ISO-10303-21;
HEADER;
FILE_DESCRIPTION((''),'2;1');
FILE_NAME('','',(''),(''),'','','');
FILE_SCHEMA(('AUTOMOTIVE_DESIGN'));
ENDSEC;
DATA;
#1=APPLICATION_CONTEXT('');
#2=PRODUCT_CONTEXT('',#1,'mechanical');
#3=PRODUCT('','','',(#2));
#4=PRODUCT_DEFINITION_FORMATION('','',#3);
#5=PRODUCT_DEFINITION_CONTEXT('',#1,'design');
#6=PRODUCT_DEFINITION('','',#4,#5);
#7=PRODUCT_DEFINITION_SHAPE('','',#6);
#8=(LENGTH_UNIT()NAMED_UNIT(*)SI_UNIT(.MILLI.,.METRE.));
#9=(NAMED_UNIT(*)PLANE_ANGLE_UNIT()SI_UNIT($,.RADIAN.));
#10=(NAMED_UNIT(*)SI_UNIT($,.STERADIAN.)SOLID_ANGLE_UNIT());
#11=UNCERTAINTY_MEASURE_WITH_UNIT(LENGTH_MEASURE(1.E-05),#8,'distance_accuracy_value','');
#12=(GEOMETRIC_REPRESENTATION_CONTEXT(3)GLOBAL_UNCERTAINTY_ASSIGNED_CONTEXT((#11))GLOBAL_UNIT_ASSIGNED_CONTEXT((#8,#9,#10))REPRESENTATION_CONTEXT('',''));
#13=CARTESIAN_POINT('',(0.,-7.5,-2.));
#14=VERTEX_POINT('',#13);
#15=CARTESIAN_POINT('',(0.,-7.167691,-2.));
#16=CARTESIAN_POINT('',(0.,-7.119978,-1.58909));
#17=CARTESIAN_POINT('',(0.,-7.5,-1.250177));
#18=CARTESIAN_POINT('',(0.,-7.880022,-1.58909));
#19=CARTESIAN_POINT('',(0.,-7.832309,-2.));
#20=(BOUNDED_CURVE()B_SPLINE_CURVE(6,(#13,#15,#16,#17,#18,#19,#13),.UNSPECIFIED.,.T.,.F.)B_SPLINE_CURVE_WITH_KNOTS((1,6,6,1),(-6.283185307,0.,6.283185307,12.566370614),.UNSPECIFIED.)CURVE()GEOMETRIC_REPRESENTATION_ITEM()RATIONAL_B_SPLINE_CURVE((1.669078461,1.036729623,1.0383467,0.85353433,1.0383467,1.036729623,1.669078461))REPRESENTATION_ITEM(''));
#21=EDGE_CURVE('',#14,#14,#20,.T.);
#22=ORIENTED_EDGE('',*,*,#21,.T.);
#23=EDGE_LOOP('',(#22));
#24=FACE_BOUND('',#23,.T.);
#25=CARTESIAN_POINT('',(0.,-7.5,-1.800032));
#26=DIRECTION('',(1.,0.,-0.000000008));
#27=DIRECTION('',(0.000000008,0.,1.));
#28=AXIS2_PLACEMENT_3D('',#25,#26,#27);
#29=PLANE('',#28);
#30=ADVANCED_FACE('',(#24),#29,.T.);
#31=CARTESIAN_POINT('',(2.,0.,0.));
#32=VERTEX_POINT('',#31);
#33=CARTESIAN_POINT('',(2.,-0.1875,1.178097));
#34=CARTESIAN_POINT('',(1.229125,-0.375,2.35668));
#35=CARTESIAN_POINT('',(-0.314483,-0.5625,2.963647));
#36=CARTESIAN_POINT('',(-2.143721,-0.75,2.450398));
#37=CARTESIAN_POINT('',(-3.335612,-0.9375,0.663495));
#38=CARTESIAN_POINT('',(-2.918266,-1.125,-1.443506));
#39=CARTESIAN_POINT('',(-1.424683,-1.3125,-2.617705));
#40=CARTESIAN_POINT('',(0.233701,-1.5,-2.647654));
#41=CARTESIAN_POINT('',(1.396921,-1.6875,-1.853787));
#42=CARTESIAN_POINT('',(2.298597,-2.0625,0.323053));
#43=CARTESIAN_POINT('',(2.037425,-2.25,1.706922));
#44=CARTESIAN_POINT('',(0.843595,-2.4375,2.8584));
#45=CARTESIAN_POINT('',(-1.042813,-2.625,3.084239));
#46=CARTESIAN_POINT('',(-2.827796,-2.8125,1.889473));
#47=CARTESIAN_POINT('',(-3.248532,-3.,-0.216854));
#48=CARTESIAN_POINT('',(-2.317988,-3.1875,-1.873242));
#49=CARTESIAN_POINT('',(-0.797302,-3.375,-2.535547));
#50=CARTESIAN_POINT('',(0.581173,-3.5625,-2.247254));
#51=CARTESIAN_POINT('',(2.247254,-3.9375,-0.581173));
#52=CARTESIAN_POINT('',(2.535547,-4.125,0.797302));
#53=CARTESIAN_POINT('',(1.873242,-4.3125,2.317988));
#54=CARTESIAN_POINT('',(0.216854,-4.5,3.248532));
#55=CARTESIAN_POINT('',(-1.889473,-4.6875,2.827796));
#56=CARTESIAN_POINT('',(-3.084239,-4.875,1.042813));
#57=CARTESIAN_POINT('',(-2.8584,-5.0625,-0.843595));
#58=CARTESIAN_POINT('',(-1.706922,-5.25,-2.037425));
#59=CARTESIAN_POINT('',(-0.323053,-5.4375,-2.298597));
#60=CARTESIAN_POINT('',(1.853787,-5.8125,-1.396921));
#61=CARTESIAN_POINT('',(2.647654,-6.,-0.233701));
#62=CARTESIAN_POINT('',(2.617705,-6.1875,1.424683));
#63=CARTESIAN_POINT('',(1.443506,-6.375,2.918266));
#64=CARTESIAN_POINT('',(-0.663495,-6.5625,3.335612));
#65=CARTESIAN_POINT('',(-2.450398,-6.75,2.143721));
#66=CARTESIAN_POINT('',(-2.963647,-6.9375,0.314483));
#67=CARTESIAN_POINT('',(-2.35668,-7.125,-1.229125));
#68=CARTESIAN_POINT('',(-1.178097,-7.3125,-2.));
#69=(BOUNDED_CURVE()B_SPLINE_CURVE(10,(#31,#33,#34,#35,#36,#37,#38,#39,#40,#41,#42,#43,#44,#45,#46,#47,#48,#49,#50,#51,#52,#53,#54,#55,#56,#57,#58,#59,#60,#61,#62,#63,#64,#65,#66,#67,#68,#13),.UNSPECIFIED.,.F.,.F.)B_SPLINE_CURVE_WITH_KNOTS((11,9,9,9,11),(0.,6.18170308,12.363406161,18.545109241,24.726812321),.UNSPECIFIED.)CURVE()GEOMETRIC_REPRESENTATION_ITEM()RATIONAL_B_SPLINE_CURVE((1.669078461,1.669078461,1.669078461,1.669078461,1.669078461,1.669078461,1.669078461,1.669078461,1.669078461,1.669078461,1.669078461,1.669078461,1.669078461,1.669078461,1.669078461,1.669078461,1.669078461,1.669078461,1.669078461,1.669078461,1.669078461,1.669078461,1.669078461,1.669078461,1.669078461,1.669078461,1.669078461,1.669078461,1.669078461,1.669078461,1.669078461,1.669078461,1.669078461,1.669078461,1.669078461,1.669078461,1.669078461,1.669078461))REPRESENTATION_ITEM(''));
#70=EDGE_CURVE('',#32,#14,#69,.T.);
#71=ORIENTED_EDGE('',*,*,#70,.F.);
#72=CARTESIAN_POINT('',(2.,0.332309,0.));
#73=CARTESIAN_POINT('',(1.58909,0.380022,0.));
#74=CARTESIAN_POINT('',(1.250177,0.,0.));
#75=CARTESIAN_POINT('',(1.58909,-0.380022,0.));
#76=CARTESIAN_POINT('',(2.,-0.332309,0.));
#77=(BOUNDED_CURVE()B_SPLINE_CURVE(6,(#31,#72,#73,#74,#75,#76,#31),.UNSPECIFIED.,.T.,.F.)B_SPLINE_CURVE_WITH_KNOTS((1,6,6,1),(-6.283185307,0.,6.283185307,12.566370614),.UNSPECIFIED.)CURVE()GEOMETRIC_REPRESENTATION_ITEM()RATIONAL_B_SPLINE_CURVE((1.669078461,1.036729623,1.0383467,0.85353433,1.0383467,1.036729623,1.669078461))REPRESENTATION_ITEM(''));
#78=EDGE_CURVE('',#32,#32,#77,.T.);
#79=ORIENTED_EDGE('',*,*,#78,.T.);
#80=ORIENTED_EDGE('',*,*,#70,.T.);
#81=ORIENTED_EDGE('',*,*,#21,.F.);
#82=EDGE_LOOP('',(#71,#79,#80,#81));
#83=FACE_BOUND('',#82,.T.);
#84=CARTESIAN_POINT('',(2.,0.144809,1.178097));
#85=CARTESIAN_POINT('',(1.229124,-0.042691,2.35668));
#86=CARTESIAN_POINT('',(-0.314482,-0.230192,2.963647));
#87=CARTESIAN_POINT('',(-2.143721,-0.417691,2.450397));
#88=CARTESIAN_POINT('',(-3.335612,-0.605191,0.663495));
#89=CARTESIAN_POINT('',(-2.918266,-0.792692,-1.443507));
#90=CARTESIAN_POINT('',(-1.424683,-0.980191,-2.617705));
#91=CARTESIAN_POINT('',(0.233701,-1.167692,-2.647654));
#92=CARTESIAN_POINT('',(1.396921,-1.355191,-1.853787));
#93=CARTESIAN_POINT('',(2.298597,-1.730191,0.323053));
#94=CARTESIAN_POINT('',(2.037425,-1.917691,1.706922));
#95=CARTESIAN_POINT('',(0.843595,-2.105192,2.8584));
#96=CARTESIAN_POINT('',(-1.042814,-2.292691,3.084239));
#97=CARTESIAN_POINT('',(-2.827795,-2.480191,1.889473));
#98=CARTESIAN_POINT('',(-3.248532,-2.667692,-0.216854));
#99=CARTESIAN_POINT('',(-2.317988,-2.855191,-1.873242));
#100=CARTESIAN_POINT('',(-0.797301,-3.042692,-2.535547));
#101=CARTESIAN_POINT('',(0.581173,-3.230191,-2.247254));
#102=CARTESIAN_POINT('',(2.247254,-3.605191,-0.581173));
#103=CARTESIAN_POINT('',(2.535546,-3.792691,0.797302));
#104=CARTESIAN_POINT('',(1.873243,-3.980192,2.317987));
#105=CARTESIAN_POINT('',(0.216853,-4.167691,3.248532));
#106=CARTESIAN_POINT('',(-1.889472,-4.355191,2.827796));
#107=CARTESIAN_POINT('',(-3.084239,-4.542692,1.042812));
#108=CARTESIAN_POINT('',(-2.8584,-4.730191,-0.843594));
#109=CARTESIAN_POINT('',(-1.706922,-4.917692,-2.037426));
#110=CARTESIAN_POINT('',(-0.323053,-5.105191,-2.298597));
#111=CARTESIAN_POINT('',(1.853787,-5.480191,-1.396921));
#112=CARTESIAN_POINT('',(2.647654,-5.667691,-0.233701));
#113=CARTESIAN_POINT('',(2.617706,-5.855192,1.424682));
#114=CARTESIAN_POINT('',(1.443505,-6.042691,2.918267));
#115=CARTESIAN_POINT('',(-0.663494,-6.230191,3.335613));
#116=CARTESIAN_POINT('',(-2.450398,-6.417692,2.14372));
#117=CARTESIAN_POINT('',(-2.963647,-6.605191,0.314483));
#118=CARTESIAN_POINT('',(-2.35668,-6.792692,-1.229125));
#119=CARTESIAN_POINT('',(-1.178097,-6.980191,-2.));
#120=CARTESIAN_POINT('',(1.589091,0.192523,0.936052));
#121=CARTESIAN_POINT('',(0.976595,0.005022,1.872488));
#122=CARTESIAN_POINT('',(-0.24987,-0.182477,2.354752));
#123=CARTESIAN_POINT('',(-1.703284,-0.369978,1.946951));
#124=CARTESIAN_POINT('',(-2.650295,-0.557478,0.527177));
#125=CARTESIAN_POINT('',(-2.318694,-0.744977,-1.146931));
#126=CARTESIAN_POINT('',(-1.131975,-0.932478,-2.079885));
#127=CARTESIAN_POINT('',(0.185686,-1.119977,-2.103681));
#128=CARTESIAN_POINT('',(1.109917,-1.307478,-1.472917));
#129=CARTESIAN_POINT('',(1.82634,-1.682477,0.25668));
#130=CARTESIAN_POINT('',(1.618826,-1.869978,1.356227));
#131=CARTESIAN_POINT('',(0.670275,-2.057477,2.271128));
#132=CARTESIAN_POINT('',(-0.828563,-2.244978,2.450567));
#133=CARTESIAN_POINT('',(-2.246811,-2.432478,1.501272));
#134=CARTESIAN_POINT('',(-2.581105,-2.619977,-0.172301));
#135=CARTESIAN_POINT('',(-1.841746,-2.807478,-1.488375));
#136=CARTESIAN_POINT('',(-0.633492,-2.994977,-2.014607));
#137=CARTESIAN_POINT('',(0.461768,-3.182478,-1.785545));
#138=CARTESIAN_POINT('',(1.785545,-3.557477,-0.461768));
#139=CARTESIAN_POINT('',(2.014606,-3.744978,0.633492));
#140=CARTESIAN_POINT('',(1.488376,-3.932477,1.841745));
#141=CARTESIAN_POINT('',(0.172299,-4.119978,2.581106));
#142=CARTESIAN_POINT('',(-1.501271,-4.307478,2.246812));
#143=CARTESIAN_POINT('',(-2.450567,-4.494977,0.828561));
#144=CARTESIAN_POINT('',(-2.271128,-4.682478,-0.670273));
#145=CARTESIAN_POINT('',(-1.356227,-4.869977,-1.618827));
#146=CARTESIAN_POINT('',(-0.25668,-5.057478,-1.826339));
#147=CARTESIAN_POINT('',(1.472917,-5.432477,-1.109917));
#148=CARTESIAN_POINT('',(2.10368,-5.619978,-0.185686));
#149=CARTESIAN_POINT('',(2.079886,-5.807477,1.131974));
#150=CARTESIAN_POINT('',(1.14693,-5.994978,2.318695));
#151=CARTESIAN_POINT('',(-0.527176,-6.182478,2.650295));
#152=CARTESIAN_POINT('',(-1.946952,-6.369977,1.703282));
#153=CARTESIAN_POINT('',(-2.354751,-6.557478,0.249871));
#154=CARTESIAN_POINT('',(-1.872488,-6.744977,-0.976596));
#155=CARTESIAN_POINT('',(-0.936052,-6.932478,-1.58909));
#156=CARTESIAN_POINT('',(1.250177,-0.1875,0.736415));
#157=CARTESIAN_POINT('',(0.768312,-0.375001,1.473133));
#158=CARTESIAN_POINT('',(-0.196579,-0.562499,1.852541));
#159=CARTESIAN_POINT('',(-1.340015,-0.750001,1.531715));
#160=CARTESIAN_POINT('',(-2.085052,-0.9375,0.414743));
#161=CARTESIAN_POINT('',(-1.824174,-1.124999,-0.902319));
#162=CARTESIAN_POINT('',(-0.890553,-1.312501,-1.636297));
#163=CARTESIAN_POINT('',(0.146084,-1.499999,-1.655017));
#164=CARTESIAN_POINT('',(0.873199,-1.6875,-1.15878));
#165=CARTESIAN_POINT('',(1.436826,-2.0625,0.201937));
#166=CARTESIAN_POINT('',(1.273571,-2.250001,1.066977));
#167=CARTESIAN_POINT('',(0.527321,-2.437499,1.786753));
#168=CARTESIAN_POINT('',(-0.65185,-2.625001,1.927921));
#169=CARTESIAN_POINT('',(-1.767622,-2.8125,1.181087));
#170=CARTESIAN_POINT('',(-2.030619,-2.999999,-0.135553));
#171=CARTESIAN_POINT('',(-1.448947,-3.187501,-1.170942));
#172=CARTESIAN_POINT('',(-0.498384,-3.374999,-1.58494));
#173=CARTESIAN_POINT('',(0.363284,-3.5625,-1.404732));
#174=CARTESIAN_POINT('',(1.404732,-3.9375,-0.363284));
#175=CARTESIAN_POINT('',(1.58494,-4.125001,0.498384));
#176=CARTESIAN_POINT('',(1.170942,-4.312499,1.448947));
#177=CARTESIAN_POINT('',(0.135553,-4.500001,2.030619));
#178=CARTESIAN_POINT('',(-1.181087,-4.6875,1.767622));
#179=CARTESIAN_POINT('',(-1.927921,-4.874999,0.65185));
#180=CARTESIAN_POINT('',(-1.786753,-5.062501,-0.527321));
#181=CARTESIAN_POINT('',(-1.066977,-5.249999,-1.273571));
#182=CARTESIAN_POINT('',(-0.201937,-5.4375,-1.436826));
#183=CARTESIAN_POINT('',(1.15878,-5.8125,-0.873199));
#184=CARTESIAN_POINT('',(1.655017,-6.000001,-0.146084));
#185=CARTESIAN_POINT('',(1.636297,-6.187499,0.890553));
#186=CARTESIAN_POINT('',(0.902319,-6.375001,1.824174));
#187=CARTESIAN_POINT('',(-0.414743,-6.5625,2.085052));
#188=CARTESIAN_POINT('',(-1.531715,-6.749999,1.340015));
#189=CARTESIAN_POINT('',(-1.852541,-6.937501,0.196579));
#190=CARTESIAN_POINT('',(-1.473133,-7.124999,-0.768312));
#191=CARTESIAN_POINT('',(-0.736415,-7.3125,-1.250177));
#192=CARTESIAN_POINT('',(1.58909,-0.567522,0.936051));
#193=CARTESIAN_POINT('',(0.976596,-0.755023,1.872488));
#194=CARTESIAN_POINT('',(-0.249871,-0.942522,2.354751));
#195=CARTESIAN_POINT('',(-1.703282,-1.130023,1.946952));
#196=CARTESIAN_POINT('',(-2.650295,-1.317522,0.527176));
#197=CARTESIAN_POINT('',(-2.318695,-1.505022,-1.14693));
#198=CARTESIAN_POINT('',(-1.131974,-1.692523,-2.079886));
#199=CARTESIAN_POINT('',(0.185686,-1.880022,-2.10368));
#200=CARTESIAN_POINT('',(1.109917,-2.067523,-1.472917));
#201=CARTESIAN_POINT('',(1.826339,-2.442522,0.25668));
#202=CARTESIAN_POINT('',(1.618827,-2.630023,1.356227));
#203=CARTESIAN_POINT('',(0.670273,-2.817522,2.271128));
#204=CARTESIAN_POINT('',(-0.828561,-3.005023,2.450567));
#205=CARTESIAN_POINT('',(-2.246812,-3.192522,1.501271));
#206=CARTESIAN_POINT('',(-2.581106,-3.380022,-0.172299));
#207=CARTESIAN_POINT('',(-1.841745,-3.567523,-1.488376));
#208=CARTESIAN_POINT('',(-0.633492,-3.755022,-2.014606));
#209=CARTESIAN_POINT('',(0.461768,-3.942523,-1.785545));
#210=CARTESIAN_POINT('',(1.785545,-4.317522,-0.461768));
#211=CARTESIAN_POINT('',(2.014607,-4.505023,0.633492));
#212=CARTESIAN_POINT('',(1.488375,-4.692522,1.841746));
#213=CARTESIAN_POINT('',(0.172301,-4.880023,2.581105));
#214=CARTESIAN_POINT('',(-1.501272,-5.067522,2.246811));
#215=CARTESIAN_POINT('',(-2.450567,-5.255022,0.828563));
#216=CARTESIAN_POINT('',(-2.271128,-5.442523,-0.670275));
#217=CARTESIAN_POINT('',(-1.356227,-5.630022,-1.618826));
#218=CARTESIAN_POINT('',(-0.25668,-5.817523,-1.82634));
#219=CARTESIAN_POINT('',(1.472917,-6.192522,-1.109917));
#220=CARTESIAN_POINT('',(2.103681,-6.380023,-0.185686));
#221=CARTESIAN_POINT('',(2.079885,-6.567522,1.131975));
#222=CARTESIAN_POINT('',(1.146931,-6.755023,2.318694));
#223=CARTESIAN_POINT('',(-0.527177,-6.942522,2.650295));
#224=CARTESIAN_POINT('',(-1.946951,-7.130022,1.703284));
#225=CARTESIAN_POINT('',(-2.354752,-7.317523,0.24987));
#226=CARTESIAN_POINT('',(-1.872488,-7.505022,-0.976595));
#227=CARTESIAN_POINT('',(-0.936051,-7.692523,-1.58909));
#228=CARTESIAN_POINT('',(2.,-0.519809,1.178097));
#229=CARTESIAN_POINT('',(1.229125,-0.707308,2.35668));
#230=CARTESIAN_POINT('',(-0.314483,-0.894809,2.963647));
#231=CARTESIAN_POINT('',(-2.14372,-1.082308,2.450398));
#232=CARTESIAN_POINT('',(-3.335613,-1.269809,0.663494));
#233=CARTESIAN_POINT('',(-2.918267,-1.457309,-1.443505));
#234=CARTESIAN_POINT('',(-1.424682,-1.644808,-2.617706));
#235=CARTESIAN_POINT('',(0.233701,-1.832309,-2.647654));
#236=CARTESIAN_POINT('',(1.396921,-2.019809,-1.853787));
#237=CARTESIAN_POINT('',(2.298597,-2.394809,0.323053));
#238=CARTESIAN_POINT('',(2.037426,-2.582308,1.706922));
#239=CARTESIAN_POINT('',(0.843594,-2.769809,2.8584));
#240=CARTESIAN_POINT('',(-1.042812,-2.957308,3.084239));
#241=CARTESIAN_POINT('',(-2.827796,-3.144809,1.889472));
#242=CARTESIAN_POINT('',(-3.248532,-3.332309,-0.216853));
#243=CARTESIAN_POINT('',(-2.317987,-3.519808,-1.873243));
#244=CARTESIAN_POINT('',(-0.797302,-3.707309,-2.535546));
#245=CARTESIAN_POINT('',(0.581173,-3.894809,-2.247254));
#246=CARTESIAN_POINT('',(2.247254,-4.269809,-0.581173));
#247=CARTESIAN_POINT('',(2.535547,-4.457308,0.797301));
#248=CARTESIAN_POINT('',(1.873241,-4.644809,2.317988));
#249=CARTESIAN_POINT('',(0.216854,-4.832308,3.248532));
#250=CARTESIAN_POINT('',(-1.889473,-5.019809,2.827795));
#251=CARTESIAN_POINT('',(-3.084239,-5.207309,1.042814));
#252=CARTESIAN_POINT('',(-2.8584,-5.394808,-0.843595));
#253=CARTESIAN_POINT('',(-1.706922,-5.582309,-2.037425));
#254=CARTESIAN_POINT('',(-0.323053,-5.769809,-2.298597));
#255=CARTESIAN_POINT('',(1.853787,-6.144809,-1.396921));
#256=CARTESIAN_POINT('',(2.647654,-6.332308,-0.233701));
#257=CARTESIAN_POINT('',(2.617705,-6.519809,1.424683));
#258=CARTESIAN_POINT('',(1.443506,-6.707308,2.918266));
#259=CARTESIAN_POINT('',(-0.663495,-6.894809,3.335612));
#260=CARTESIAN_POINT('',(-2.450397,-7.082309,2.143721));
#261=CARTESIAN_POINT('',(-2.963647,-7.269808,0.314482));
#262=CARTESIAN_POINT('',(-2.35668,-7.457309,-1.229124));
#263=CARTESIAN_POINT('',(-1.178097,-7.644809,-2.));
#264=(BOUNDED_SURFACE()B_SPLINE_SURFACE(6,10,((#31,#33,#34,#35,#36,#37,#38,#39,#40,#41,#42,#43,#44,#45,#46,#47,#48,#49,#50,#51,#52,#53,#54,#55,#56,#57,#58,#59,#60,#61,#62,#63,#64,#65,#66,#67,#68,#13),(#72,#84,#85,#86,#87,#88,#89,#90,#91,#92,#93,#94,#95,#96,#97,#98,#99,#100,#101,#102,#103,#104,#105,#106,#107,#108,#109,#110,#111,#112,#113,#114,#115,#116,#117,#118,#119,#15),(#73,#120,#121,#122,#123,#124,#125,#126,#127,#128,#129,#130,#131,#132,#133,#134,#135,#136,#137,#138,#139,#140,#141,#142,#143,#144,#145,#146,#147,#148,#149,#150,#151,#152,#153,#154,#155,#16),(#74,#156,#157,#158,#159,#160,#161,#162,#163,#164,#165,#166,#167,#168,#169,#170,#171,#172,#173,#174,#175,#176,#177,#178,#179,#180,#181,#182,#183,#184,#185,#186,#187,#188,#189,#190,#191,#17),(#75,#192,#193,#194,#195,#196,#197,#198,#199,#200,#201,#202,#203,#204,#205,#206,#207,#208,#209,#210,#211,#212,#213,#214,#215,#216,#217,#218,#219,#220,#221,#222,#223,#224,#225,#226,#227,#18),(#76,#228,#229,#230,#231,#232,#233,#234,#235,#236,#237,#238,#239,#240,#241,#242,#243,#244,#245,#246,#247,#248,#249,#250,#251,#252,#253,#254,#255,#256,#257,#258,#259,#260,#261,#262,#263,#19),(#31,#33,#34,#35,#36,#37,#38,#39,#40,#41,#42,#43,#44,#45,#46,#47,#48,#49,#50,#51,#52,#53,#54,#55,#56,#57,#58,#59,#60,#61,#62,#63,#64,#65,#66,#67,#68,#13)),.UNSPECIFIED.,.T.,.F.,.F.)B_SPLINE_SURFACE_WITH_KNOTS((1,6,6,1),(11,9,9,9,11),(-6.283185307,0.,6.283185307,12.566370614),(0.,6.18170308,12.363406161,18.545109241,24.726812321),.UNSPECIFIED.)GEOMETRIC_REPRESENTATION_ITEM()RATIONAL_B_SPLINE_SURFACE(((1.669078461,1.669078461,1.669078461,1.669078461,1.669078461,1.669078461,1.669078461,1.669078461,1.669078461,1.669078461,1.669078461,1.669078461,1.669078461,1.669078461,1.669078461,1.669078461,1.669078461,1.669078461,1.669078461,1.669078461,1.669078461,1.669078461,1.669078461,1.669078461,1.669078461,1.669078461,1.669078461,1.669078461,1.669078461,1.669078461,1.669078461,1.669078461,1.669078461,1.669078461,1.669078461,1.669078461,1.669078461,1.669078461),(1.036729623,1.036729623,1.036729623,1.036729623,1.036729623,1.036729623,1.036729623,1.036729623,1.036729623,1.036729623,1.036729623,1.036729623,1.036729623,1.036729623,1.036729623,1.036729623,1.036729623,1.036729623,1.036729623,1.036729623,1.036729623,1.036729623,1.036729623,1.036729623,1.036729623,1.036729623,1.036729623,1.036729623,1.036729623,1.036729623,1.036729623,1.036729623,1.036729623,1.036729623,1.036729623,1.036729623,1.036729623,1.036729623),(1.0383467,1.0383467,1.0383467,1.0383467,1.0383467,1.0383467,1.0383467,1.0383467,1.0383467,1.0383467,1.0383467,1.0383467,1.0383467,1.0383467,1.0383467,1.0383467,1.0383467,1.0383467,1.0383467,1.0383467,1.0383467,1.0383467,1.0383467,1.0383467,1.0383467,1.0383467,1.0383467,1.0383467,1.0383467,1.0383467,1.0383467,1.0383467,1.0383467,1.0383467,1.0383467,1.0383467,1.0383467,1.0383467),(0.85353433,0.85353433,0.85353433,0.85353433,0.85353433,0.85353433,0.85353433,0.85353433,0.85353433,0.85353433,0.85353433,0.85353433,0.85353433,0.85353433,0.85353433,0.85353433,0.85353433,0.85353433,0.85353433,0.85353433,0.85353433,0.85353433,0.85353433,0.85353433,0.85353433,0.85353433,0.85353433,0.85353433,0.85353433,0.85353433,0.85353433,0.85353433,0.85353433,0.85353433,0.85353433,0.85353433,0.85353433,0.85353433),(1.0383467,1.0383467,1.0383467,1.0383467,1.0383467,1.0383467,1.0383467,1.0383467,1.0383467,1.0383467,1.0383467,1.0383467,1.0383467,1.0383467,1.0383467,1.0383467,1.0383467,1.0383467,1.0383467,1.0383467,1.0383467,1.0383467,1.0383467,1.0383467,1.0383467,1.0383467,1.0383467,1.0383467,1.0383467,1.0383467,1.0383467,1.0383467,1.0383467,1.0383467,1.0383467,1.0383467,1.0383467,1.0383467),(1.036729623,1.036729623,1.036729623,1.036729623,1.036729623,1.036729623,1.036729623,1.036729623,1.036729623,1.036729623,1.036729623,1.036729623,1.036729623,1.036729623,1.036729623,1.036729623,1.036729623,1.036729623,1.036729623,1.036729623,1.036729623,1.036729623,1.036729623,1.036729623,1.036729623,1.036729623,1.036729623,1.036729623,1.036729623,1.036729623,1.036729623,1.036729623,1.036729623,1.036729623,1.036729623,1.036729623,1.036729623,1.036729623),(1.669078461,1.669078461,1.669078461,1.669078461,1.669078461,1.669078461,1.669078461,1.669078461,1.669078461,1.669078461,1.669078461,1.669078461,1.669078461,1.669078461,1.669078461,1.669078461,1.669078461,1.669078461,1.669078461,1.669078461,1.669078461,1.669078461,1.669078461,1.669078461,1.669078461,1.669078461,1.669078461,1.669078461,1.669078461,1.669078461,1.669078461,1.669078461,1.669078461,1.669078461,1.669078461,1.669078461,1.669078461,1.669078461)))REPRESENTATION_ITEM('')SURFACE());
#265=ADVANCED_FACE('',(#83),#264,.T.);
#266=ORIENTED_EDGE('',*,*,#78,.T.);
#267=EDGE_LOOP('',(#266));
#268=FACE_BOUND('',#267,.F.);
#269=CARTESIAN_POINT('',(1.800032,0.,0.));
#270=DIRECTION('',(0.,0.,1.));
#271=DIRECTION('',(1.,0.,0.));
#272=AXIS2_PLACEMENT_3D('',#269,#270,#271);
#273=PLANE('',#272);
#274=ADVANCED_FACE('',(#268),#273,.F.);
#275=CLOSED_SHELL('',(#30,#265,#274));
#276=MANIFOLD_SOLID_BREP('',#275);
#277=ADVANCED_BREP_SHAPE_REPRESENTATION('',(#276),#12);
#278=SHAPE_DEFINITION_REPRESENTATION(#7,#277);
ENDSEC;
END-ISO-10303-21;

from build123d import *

# Parameters (mm, degrees)
SPRING_PITCH          = 2
SPRING_HEIGHT         = 7.5
SPRING_RADIUS         = 1.8
SPRING_START_ANGLE    = 90
SPRINGBODYDIAMETERS_R = 0.2


with BuildPart() as part:
    # SPRING: sweep along a helix
    with BuildLine() as spring_path:
        add(Helix(SPRING_PITCH, SPRING_HEIGHT, SPRING_RADIUS, center=(0, 0, 0), direction=(0, -1, 0), mode=Mode.PRIVATE).rotate(Axis((0, 0, 0), (0, -1, 0)), SPRING_START_ANGLE))
    # SpringBodyDiameterS → SPRING (sweep)
    with BuildSketch(Plane.XY):
        with Locations((1.8, 0)):
            Circle(SPRINGBODYDIAMETERS_R)
    sweep(path=spring_path.line, is_frenet=True)


solid = part.part
